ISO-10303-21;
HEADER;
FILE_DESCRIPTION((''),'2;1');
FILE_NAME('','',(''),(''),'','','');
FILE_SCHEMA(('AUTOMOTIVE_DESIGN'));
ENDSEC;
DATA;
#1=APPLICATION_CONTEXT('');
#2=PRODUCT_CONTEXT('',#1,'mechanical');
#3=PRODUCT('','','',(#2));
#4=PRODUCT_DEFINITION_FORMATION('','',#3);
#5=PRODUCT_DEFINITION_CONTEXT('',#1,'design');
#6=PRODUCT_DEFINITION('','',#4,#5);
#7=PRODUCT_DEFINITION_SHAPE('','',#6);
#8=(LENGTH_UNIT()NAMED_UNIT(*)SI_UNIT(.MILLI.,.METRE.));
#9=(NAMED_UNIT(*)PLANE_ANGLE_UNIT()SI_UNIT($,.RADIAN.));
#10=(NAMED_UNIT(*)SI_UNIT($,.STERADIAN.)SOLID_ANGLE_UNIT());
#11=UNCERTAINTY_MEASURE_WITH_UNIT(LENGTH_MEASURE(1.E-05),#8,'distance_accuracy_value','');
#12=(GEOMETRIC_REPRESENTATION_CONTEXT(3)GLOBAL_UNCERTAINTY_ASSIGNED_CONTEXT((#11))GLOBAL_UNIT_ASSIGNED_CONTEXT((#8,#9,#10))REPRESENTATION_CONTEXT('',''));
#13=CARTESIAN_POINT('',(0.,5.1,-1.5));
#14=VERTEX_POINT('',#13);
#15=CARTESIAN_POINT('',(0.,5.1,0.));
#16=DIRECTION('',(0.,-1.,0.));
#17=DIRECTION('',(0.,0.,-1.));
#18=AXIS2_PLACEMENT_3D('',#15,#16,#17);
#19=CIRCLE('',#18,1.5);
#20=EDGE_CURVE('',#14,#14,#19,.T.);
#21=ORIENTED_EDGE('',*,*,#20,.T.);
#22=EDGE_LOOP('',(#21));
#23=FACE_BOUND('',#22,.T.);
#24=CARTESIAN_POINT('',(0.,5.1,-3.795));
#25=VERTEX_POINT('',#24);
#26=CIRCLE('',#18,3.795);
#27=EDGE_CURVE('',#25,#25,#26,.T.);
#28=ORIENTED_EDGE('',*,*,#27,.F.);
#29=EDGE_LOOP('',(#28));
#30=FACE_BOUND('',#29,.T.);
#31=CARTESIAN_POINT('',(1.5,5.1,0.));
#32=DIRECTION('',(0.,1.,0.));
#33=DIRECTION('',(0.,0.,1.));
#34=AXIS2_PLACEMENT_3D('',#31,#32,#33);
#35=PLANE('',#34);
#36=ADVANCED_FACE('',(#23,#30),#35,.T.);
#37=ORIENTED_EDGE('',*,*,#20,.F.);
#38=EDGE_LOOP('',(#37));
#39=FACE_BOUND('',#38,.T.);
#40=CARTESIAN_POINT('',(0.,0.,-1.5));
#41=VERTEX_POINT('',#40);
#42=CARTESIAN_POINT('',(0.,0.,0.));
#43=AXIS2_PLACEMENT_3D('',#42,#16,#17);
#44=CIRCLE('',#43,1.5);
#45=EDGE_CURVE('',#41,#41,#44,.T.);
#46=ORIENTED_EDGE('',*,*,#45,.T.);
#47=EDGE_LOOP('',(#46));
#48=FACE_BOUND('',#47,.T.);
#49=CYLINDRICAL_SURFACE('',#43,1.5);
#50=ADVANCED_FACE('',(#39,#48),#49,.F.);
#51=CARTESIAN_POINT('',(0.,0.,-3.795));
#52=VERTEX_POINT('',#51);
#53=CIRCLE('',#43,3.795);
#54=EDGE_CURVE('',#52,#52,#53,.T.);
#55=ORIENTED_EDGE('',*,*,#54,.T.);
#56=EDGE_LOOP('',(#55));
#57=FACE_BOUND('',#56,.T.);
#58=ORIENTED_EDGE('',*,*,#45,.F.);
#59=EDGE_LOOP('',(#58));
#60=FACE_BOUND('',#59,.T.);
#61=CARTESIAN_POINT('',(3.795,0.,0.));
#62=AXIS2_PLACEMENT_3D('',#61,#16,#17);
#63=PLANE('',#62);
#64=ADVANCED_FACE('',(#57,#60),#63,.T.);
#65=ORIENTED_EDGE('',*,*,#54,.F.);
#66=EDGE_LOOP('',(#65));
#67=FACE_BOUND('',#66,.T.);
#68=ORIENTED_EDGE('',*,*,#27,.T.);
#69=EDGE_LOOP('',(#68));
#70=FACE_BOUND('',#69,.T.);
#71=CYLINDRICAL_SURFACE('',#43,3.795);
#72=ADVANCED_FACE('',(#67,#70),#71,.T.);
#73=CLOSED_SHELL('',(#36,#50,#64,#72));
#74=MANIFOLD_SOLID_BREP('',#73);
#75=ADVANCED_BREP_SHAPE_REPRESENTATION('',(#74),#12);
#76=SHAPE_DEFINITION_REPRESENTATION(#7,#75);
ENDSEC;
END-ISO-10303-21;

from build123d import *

# Parameters (mm, degrees)
SCHIZZO1_W = 2.295
SCHIZZO1_H = 5.1


with BuildPart() as part:
    # Schizzo1 → Rivoluzione1 (revolve)
    with BuildSketch(Plane.XY, mode=Mode.PRIVATE) as rivoluzione1_sk:
        with Locations((2.6475, 2.55)):
            Rectangle(SCHIZZO1_W, SCHIZZO1_H)
    revolve(rivoluzione1_sk.sketch.rotate(Axis((0, 0, 0), (0, 1, 0)), 90), axis=Axis((0, 0, 0), (0, 1, 0)))


solid = part.part
